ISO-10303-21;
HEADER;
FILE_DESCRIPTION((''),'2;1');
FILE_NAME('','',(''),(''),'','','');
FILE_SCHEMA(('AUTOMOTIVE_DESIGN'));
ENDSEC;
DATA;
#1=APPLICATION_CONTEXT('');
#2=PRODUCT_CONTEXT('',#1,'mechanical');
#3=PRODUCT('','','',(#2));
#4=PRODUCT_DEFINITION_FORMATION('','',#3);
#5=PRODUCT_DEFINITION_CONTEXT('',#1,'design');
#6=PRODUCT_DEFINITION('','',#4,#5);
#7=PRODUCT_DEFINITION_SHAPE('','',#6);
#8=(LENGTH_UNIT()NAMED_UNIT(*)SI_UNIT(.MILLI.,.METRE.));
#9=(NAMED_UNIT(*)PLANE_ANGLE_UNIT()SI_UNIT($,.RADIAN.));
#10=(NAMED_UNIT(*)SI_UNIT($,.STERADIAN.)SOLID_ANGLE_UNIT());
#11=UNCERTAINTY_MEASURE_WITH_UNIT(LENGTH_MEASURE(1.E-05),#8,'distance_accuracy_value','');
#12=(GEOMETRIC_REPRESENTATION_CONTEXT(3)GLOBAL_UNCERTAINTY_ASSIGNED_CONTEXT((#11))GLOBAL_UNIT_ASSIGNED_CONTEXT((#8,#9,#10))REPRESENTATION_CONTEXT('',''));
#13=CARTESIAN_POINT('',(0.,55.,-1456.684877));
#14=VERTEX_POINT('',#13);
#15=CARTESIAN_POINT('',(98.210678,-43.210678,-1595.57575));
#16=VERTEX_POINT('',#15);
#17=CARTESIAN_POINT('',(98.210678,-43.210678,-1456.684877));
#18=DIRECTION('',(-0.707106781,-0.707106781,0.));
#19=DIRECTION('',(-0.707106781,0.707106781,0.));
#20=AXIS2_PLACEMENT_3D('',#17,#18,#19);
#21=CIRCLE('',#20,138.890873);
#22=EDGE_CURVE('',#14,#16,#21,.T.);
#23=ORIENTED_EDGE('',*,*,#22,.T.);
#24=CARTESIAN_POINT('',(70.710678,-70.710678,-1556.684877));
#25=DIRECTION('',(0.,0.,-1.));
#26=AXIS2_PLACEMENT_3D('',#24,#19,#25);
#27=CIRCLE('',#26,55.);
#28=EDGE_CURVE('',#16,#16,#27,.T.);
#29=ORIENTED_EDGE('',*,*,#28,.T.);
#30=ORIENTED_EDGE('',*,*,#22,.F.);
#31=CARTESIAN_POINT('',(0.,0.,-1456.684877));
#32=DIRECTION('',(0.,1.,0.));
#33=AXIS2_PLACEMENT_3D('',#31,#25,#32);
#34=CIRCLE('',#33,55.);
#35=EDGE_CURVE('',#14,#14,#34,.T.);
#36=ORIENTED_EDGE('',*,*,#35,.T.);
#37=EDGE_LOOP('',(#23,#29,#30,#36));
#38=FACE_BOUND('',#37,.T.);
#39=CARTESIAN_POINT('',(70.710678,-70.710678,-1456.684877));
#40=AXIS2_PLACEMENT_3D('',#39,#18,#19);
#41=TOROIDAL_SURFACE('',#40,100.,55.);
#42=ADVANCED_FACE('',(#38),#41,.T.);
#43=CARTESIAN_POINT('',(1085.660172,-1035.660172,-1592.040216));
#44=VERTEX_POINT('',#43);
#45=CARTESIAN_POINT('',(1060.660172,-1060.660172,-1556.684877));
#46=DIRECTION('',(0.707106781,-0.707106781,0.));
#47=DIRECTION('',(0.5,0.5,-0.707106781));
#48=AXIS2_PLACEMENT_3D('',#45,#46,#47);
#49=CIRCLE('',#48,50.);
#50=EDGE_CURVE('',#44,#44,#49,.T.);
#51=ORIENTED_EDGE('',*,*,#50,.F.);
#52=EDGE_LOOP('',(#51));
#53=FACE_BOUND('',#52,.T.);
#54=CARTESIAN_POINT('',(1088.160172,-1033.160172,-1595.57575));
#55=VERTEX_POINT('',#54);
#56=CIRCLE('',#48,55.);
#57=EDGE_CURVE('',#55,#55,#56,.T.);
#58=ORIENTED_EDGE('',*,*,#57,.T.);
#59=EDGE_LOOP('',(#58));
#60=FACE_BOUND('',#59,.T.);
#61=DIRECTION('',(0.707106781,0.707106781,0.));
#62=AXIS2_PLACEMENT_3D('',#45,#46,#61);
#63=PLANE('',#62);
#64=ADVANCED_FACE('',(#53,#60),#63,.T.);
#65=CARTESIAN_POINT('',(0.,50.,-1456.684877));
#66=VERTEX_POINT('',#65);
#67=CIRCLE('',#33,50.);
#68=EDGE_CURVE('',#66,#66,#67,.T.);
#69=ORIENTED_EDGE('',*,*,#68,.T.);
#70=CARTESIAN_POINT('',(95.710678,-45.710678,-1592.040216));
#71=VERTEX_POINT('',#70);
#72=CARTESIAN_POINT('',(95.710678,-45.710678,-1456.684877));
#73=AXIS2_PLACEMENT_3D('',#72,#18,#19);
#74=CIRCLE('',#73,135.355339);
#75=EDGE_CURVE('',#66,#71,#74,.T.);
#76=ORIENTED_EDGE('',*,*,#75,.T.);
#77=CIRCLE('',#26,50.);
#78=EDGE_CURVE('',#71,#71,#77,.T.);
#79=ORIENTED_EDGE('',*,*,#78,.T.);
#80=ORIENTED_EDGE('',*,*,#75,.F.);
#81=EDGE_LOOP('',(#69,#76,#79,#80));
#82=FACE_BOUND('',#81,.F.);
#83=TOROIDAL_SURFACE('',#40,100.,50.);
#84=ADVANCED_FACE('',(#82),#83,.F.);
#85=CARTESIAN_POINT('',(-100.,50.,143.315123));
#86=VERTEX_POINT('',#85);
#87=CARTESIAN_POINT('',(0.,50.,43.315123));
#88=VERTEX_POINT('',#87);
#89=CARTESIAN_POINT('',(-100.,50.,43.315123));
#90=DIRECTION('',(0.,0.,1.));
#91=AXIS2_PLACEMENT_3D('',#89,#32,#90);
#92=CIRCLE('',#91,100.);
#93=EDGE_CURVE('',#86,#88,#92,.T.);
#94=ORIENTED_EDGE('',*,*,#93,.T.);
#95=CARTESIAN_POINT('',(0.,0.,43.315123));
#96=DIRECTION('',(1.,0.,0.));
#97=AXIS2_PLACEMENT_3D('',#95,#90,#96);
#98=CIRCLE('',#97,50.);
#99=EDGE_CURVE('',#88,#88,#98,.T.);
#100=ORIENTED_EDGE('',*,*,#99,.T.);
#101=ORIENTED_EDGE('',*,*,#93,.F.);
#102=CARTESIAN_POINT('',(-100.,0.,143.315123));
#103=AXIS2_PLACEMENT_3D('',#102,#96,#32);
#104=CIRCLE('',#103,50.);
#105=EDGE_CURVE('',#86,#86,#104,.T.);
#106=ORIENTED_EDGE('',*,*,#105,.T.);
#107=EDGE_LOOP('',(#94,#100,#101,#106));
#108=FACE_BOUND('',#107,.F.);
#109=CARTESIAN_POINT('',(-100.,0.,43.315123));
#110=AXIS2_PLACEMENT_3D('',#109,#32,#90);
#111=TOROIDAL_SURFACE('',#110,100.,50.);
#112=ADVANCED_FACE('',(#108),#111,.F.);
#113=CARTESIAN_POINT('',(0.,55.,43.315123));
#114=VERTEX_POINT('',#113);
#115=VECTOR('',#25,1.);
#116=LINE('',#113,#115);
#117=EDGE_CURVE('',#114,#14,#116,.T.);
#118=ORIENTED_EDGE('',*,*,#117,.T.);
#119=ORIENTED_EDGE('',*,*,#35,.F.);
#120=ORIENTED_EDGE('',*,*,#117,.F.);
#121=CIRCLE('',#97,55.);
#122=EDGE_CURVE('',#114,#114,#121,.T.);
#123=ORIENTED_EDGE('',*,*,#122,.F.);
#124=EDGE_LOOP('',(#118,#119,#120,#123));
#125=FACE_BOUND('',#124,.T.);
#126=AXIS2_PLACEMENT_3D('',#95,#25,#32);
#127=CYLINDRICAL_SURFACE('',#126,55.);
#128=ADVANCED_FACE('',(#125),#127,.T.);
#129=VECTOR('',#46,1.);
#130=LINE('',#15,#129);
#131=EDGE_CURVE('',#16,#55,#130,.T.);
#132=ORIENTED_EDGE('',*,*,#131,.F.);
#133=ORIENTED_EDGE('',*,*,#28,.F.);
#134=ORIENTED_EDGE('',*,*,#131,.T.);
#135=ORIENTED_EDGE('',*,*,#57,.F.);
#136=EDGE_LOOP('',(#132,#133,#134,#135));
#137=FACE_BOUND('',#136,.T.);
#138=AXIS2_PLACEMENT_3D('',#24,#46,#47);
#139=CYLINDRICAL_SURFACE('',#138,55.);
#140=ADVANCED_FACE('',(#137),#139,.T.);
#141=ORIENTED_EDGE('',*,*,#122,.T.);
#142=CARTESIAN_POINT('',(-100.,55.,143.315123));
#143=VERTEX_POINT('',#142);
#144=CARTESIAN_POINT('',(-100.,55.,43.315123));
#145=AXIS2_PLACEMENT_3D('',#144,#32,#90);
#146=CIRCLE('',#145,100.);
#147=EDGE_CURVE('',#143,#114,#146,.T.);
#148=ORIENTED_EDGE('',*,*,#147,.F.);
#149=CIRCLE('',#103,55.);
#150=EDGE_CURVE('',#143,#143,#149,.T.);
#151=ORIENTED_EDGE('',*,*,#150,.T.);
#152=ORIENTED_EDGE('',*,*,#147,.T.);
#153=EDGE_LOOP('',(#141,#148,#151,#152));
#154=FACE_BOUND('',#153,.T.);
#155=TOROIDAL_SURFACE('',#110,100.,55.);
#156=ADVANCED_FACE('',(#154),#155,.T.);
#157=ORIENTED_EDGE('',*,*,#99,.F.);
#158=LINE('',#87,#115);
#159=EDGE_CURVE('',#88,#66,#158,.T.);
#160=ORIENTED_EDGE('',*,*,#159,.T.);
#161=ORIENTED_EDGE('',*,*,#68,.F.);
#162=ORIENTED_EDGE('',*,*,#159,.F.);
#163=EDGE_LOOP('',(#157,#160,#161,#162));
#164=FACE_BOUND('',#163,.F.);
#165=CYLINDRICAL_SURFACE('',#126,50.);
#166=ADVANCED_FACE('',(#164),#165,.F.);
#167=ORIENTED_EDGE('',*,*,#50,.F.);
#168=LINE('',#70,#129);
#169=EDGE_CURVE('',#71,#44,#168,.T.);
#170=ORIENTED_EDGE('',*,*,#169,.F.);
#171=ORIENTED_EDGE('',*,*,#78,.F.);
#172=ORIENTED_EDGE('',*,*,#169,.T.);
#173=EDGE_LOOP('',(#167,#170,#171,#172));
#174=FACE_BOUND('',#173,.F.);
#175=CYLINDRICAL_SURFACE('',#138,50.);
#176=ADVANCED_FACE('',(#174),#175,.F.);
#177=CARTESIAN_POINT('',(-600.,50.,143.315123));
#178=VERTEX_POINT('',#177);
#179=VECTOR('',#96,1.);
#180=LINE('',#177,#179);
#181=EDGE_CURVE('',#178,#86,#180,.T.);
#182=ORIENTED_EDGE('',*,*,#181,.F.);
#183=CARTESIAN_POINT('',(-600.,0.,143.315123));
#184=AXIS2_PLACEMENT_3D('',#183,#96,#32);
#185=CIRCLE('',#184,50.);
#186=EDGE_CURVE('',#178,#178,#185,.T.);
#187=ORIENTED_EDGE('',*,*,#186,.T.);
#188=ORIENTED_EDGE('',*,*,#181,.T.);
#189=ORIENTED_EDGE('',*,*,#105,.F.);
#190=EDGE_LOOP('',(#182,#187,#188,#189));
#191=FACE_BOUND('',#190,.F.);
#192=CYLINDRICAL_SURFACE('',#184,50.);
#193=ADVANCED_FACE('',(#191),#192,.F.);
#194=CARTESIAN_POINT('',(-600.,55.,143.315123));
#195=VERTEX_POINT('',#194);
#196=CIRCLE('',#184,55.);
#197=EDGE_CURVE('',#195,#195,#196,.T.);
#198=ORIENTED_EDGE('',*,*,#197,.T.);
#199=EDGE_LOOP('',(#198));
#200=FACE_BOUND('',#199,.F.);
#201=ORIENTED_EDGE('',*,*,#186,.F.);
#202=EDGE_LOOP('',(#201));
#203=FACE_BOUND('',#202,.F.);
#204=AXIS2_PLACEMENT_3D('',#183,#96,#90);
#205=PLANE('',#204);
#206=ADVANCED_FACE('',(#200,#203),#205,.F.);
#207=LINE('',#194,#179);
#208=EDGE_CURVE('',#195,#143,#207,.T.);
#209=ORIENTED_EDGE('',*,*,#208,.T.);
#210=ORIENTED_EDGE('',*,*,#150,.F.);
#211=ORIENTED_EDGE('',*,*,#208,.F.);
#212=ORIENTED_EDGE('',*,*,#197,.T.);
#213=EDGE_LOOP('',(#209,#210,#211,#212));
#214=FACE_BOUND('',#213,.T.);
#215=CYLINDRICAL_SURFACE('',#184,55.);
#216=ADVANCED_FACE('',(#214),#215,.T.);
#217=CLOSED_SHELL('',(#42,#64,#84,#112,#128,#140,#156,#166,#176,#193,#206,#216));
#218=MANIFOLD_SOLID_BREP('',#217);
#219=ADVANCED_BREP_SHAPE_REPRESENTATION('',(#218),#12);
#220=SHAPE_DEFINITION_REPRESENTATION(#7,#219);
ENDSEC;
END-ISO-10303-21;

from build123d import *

# Parameters (mm, degrees)
F2_R   = 55
F2_R_2 = 50


with BuildPart() as f5:
    # F5: sweep along a path in F0, F4
    with BuildLine(Plane.XZ) as f5_path:
        Line((-600, 143.3151227236), (-100, 143.3151227236))
        ThreePointArc((-100, 143.3151227236), (-29.2893218813, 114.0258008422), (0, 43.3151227236))
    with BuildLine(Plane(origin=(0, 0, 0), x_dir=(-0.7071067812, 0.7071067812, 0), z_dir=(0.7071067812, 0.7071067812, 0))) as f5_path_2:
        Line((0, 43.3151227236), (0, -1456.6848772764))
        ThreePointArc((0, -1456.6848772764), (-29.2893218813, -1527.3955553951), (-100, -1556.6848772764))
        Line((-100, -1556.6848772764), (-1500, -1556.6848772764))
    # F2 (on plane+point) → F5 (sweep)
    with BuildSketch(Plane.YZ.offset(-600)):
        with Locations((0, 143.3151227236)):
            Circle(F2_R)
        with Locations((0, 143.3151227236)):
            Circle(F2_R_2, mode=Mode.SUBTRACT)
    sweep(path=f5_path.line + f5_path_2.line)


solid = f5.part
